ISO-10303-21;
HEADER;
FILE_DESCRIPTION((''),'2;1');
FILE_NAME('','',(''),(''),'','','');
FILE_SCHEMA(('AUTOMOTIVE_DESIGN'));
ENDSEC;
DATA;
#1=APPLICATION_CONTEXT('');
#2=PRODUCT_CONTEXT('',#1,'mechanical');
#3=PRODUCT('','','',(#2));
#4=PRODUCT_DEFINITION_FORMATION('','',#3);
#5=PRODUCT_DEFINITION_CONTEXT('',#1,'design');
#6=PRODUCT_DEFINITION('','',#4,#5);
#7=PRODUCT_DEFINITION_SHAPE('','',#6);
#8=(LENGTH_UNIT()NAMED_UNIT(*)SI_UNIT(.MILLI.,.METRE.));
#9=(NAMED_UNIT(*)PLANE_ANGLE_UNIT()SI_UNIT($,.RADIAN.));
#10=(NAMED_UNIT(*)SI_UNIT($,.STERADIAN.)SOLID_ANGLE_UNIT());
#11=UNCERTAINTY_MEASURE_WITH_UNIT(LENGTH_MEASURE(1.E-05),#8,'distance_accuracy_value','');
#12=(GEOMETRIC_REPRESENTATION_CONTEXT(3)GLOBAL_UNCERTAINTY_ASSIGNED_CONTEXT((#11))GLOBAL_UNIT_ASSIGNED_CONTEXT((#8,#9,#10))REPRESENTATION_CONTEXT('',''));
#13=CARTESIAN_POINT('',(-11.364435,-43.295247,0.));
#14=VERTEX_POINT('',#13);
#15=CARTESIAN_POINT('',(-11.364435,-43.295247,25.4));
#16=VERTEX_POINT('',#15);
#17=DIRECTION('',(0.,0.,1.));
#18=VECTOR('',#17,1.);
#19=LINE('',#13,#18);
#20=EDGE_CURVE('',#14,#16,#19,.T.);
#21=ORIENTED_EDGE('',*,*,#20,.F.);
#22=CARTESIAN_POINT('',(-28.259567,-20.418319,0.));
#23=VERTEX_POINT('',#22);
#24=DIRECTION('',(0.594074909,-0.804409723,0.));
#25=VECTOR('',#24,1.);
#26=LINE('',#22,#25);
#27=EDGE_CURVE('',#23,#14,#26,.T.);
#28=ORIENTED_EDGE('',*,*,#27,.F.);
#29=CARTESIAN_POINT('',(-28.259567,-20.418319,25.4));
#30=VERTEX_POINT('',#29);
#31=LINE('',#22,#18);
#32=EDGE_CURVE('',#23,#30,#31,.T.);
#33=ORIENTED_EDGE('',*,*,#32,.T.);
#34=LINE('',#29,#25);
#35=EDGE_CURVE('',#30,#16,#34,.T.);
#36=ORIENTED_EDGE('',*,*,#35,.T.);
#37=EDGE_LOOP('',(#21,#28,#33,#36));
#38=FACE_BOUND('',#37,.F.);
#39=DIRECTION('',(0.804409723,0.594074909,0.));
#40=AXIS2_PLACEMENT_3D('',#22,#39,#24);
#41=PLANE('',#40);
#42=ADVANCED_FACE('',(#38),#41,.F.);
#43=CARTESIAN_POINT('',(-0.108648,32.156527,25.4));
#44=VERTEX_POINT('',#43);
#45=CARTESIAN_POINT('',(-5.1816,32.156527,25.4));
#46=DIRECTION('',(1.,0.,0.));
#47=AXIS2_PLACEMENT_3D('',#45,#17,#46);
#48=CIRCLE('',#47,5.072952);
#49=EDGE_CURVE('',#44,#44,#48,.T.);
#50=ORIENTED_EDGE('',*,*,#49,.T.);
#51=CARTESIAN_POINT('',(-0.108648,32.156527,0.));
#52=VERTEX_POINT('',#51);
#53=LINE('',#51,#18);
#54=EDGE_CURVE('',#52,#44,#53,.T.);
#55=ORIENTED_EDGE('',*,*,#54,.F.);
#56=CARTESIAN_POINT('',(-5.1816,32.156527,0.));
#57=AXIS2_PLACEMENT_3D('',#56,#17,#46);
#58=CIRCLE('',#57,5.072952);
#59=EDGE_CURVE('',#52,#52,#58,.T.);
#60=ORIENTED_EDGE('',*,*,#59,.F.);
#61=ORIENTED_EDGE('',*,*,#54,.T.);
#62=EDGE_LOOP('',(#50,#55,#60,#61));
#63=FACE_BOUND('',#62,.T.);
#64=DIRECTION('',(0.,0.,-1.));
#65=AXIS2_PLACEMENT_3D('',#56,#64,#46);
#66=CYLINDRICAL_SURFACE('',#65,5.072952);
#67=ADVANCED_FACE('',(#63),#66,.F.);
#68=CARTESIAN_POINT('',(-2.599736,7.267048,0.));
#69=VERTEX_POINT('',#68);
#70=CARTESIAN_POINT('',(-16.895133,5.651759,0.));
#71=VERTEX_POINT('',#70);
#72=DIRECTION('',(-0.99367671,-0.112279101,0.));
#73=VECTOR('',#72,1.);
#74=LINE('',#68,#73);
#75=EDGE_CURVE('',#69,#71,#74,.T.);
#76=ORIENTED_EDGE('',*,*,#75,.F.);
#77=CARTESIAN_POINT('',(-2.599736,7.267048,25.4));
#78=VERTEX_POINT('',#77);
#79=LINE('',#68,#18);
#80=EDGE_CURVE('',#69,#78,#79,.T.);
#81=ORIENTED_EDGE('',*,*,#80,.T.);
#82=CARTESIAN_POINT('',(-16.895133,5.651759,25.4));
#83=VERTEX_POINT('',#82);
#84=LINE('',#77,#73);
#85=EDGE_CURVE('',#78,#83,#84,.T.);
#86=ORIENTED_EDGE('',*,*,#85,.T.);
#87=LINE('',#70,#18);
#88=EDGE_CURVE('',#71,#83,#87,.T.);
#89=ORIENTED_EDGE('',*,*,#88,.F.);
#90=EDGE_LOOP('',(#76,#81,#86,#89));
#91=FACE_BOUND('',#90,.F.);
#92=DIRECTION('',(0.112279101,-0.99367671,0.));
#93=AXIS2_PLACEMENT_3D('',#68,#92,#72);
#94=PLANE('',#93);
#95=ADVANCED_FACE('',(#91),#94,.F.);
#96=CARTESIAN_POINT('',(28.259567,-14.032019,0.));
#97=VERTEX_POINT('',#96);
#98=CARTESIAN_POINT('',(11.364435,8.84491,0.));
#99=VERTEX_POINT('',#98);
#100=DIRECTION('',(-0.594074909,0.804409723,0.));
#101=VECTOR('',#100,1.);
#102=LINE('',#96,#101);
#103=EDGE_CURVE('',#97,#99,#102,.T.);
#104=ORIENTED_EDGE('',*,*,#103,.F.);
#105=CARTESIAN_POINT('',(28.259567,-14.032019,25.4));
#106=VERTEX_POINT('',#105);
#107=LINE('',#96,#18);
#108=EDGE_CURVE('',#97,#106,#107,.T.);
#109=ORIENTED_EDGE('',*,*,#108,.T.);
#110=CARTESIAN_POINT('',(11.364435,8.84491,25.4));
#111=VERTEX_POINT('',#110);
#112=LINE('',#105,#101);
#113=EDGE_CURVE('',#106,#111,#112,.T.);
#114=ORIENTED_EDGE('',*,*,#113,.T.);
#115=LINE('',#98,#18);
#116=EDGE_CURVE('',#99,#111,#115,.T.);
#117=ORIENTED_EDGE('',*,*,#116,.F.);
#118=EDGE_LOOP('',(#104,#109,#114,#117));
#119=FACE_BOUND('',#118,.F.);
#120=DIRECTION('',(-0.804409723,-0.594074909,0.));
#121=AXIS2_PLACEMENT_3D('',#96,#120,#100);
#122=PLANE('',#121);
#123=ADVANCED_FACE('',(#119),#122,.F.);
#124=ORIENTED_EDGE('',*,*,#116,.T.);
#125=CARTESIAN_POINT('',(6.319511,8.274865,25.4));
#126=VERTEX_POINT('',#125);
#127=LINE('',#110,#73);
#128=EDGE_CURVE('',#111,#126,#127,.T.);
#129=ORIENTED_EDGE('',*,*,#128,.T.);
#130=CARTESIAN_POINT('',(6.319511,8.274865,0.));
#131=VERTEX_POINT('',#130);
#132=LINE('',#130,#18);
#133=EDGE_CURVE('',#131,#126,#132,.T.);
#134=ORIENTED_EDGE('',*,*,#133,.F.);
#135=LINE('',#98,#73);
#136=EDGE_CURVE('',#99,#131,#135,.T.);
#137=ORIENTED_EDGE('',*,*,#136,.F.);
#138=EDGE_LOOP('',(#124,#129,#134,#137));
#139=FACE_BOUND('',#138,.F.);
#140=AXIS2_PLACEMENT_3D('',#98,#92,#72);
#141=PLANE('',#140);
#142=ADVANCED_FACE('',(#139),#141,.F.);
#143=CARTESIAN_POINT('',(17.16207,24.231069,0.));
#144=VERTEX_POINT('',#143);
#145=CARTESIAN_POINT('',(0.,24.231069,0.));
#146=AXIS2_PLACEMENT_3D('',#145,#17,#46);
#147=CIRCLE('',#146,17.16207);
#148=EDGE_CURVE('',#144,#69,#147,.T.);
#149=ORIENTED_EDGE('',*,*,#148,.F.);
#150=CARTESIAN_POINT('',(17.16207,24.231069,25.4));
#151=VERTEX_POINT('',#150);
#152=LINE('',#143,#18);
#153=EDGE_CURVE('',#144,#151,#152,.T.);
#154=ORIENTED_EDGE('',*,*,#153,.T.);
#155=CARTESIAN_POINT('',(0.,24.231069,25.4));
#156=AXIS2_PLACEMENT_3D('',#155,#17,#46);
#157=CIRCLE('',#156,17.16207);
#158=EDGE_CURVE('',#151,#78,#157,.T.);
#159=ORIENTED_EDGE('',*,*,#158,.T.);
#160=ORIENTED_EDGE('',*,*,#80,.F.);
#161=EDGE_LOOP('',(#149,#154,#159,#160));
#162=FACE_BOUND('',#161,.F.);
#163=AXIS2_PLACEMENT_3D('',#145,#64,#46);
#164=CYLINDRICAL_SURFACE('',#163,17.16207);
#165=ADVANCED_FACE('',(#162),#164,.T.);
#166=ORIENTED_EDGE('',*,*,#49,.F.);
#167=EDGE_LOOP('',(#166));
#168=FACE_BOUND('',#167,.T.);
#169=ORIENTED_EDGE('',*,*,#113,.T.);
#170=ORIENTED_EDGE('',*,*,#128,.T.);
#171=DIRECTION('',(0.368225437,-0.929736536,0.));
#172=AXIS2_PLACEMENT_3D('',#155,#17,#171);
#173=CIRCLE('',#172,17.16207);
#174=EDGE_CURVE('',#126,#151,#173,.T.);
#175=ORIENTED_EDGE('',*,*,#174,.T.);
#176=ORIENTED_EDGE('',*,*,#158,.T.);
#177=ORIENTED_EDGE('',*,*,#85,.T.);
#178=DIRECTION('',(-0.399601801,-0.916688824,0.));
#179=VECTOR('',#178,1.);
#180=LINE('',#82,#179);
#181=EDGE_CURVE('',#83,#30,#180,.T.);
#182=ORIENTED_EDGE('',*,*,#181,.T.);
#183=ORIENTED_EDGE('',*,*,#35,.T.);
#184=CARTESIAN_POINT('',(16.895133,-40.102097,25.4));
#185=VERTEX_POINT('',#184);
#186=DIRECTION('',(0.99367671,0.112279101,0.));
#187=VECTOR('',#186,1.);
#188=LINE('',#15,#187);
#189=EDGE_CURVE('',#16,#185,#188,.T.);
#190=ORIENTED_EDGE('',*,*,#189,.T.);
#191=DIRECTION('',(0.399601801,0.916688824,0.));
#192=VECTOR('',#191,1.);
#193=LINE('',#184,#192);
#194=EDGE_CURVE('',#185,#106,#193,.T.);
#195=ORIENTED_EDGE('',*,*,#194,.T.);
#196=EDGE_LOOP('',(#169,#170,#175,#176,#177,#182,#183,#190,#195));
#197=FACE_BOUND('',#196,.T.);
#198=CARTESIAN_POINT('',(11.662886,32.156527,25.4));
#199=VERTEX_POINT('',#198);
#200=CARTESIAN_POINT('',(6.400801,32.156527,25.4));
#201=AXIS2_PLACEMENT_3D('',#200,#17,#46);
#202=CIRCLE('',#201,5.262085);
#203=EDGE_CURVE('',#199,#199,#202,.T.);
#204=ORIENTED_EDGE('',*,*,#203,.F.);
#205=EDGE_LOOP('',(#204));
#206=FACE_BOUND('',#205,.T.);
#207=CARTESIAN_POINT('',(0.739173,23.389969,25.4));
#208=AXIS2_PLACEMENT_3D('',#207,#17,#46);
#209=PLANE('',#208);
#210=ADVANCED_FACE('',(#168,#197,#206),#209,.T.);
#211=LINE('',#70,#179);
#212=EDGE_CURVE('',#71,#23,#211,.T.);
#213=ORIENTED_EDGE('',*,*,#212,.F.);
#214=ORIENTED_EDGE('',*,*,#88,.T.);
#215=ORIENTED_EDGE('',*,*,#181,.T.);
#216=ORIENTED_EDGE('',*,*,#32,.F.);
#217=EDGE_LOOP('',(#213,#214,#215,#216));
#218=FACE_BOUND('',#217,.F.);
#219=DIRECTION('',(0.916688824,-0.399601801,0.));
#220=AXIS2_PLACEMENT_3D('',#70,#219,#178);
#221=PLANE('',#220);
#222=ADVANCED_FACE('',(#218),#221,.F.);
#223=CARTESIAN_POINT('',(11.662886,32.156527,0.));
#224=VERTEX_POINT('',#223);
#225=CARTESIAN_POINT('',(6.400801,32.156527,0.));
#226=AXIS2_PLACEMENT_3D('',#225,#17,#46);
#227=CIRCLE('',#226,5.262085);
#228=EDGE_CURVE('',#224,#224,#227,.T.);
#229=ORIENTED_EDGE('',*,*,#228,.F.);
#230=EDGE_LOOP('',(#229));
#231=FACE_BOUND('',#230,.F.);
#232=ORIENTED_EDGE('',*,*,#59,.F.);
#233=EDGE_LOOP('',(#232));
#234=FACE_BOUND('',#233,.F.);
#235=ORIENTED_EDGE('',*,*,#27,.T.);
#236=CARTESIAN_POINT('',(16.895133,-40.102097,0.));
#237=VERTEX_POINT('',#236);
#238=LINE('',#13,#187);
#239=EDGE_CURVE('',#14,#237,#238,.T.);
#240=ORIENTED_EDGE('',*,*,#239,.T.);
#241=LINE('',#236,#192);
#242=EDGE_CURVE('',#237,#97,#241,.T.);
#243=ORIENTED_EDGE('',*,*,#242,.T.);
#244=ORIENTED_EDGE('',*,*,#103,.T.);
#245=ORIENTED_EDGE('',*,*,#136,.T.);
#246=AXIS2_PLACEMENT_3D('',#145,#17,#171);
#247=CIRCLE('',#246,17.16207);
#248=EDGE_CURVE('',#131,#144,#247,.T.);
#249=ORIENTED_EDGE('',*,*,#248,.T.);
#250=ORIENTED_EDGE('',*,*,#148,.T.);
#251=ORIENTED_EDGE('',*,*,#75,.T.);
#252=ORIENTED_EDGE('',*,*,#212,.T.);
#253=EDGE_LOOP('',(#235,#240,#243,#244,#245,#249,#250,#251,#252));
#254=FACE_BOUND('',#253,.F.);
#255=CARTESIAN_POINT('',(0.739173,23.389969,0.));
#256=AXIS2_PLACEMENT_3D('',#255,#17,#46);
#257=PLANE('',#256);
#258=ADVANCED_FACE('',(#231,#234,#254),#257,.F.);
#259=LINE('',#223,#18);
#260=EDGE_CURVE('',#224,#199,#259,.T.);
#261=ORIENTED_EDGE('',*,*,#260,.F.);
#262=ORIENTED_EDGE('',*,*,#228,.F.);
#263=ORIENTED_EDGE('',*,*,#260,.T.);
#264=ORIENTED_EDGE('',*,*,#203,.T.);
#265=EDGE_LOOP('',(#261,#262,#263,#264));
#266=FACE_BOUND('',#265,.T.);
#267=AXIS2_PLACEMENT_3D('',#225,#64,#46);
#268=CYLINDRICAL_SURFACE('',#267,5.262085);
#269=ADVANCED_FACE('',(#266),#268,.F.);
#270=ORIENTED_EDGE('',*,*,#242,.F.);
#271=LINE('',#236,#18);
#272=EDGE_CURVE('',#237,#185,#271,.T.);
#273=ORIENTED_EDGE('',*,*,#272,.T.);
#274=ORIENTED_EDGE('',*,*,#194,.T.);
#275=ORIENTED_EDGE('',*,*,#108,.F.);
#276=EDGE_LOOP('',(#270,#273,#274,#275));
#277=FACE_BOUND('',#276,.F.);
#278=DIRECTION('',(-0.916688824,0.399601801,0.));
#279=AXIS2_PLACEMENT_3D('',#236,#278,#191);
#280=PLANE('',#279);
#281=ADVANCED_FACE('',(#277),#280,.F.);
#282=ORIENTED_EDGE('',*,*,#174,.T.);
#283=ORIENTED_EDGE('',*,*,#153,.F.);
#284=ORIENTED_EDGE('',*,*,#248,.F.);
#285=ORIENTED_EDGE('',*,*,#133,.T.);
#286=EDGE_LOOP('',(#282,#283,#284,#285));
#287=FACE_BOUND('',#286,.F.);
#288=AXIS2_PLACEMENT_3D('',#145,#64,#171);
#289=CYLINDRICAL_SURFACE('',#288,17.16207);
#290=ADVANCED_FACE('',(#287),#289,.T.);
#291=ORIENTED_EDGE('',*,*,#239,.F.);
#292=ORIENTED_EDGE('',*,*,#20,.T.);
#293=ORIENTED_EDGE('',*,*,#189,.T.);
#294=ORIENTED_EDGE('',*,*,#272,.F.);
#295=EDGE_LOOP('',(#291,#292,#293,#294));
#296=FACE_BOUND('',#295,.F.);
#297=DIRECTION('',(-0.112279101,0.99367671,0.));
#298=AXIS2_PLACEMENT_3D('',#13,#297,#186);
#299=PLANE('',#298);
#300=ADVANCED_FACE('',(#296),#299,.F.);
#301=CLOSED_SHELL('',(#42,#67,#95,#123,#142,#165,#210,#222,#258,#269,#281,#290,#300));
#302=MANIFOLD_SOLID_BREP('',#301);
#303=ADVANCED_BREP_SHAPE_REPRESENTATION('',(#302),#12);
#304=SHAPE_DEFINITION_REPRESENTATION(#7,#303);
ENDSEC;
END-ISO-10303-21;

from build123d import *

# Parameters (mm, degrees)
F0_R     = 5.0729517485
F0_R_2   = 5.2620851013
F1_DEPTH = 25.4


with BuildPart() as f1:
    # F0 (on Top) → F1 (new body)
    with BuildSketch(Plane.XY):
        with BuildLine():
            ThreePointArc((6.3195106697, 8.2748654283), (14.1949379045, 14.5853247175), (17.1620698292, 24.23106879))
            ThreePointArc((17.1620698292, 24.23106879), (-11.1785461031, 37.2532325059), (-2.5997362388, 7.2670476773))
            Line((-2.5997362388, 7.2670476773), (6.3195106697, 8.2748654283))
        make_face()
        with Locations((-5.181599874, 32.1565270424)):
            Circle(F0_R, mode=Mode.SUBTRACT)
        with Locations((6.4008007757, 32.1565270424)):
            Circle(F0_R_2, mode=Mode.SUBTRACT)
        with BuildLine():
            Line((6.3195106697, 8.2748654283), (-2.5997362388, 7.2670476773))
            ThreePointArc((-2.5997362388, 7.2670476773), (1.9269417763, 7.1775197102), (6.3195106697, 8.2748654283))
        make_face()
        with BuildLine():
            ThreePointArc((6.3195106697, 8.2748654283), (1.9269417763, 7.1775197102), (-2.5997362388, 7.2670476773))
            Line((-2.5997362388, 7.2670476773), (-16.8951326659, 5.651759478))
            Line((-16.8951326659, 5.651759478), (-28.2595672484, -20.4183186727))
            Line((-28.2595672484, -20.4183186727), (-11.3644345824, -43.2952467961))
            Line((-11.3644345824, -43.2952467961), (16.8951326659, -40.1020967688))
            Line((16.8951326659, -40.1020967688), (28.2595672484, -14.0320186181))
            Line((28.2595672484, -14.0320186181), (11.3644345824, 8.8449095053))
            Line((11.3644345824, 8.8449095053), (6.3195106697, 8.2748654283))
        make_face()
    extrude(amount=F1_DEPTH)


solid = f1.part
